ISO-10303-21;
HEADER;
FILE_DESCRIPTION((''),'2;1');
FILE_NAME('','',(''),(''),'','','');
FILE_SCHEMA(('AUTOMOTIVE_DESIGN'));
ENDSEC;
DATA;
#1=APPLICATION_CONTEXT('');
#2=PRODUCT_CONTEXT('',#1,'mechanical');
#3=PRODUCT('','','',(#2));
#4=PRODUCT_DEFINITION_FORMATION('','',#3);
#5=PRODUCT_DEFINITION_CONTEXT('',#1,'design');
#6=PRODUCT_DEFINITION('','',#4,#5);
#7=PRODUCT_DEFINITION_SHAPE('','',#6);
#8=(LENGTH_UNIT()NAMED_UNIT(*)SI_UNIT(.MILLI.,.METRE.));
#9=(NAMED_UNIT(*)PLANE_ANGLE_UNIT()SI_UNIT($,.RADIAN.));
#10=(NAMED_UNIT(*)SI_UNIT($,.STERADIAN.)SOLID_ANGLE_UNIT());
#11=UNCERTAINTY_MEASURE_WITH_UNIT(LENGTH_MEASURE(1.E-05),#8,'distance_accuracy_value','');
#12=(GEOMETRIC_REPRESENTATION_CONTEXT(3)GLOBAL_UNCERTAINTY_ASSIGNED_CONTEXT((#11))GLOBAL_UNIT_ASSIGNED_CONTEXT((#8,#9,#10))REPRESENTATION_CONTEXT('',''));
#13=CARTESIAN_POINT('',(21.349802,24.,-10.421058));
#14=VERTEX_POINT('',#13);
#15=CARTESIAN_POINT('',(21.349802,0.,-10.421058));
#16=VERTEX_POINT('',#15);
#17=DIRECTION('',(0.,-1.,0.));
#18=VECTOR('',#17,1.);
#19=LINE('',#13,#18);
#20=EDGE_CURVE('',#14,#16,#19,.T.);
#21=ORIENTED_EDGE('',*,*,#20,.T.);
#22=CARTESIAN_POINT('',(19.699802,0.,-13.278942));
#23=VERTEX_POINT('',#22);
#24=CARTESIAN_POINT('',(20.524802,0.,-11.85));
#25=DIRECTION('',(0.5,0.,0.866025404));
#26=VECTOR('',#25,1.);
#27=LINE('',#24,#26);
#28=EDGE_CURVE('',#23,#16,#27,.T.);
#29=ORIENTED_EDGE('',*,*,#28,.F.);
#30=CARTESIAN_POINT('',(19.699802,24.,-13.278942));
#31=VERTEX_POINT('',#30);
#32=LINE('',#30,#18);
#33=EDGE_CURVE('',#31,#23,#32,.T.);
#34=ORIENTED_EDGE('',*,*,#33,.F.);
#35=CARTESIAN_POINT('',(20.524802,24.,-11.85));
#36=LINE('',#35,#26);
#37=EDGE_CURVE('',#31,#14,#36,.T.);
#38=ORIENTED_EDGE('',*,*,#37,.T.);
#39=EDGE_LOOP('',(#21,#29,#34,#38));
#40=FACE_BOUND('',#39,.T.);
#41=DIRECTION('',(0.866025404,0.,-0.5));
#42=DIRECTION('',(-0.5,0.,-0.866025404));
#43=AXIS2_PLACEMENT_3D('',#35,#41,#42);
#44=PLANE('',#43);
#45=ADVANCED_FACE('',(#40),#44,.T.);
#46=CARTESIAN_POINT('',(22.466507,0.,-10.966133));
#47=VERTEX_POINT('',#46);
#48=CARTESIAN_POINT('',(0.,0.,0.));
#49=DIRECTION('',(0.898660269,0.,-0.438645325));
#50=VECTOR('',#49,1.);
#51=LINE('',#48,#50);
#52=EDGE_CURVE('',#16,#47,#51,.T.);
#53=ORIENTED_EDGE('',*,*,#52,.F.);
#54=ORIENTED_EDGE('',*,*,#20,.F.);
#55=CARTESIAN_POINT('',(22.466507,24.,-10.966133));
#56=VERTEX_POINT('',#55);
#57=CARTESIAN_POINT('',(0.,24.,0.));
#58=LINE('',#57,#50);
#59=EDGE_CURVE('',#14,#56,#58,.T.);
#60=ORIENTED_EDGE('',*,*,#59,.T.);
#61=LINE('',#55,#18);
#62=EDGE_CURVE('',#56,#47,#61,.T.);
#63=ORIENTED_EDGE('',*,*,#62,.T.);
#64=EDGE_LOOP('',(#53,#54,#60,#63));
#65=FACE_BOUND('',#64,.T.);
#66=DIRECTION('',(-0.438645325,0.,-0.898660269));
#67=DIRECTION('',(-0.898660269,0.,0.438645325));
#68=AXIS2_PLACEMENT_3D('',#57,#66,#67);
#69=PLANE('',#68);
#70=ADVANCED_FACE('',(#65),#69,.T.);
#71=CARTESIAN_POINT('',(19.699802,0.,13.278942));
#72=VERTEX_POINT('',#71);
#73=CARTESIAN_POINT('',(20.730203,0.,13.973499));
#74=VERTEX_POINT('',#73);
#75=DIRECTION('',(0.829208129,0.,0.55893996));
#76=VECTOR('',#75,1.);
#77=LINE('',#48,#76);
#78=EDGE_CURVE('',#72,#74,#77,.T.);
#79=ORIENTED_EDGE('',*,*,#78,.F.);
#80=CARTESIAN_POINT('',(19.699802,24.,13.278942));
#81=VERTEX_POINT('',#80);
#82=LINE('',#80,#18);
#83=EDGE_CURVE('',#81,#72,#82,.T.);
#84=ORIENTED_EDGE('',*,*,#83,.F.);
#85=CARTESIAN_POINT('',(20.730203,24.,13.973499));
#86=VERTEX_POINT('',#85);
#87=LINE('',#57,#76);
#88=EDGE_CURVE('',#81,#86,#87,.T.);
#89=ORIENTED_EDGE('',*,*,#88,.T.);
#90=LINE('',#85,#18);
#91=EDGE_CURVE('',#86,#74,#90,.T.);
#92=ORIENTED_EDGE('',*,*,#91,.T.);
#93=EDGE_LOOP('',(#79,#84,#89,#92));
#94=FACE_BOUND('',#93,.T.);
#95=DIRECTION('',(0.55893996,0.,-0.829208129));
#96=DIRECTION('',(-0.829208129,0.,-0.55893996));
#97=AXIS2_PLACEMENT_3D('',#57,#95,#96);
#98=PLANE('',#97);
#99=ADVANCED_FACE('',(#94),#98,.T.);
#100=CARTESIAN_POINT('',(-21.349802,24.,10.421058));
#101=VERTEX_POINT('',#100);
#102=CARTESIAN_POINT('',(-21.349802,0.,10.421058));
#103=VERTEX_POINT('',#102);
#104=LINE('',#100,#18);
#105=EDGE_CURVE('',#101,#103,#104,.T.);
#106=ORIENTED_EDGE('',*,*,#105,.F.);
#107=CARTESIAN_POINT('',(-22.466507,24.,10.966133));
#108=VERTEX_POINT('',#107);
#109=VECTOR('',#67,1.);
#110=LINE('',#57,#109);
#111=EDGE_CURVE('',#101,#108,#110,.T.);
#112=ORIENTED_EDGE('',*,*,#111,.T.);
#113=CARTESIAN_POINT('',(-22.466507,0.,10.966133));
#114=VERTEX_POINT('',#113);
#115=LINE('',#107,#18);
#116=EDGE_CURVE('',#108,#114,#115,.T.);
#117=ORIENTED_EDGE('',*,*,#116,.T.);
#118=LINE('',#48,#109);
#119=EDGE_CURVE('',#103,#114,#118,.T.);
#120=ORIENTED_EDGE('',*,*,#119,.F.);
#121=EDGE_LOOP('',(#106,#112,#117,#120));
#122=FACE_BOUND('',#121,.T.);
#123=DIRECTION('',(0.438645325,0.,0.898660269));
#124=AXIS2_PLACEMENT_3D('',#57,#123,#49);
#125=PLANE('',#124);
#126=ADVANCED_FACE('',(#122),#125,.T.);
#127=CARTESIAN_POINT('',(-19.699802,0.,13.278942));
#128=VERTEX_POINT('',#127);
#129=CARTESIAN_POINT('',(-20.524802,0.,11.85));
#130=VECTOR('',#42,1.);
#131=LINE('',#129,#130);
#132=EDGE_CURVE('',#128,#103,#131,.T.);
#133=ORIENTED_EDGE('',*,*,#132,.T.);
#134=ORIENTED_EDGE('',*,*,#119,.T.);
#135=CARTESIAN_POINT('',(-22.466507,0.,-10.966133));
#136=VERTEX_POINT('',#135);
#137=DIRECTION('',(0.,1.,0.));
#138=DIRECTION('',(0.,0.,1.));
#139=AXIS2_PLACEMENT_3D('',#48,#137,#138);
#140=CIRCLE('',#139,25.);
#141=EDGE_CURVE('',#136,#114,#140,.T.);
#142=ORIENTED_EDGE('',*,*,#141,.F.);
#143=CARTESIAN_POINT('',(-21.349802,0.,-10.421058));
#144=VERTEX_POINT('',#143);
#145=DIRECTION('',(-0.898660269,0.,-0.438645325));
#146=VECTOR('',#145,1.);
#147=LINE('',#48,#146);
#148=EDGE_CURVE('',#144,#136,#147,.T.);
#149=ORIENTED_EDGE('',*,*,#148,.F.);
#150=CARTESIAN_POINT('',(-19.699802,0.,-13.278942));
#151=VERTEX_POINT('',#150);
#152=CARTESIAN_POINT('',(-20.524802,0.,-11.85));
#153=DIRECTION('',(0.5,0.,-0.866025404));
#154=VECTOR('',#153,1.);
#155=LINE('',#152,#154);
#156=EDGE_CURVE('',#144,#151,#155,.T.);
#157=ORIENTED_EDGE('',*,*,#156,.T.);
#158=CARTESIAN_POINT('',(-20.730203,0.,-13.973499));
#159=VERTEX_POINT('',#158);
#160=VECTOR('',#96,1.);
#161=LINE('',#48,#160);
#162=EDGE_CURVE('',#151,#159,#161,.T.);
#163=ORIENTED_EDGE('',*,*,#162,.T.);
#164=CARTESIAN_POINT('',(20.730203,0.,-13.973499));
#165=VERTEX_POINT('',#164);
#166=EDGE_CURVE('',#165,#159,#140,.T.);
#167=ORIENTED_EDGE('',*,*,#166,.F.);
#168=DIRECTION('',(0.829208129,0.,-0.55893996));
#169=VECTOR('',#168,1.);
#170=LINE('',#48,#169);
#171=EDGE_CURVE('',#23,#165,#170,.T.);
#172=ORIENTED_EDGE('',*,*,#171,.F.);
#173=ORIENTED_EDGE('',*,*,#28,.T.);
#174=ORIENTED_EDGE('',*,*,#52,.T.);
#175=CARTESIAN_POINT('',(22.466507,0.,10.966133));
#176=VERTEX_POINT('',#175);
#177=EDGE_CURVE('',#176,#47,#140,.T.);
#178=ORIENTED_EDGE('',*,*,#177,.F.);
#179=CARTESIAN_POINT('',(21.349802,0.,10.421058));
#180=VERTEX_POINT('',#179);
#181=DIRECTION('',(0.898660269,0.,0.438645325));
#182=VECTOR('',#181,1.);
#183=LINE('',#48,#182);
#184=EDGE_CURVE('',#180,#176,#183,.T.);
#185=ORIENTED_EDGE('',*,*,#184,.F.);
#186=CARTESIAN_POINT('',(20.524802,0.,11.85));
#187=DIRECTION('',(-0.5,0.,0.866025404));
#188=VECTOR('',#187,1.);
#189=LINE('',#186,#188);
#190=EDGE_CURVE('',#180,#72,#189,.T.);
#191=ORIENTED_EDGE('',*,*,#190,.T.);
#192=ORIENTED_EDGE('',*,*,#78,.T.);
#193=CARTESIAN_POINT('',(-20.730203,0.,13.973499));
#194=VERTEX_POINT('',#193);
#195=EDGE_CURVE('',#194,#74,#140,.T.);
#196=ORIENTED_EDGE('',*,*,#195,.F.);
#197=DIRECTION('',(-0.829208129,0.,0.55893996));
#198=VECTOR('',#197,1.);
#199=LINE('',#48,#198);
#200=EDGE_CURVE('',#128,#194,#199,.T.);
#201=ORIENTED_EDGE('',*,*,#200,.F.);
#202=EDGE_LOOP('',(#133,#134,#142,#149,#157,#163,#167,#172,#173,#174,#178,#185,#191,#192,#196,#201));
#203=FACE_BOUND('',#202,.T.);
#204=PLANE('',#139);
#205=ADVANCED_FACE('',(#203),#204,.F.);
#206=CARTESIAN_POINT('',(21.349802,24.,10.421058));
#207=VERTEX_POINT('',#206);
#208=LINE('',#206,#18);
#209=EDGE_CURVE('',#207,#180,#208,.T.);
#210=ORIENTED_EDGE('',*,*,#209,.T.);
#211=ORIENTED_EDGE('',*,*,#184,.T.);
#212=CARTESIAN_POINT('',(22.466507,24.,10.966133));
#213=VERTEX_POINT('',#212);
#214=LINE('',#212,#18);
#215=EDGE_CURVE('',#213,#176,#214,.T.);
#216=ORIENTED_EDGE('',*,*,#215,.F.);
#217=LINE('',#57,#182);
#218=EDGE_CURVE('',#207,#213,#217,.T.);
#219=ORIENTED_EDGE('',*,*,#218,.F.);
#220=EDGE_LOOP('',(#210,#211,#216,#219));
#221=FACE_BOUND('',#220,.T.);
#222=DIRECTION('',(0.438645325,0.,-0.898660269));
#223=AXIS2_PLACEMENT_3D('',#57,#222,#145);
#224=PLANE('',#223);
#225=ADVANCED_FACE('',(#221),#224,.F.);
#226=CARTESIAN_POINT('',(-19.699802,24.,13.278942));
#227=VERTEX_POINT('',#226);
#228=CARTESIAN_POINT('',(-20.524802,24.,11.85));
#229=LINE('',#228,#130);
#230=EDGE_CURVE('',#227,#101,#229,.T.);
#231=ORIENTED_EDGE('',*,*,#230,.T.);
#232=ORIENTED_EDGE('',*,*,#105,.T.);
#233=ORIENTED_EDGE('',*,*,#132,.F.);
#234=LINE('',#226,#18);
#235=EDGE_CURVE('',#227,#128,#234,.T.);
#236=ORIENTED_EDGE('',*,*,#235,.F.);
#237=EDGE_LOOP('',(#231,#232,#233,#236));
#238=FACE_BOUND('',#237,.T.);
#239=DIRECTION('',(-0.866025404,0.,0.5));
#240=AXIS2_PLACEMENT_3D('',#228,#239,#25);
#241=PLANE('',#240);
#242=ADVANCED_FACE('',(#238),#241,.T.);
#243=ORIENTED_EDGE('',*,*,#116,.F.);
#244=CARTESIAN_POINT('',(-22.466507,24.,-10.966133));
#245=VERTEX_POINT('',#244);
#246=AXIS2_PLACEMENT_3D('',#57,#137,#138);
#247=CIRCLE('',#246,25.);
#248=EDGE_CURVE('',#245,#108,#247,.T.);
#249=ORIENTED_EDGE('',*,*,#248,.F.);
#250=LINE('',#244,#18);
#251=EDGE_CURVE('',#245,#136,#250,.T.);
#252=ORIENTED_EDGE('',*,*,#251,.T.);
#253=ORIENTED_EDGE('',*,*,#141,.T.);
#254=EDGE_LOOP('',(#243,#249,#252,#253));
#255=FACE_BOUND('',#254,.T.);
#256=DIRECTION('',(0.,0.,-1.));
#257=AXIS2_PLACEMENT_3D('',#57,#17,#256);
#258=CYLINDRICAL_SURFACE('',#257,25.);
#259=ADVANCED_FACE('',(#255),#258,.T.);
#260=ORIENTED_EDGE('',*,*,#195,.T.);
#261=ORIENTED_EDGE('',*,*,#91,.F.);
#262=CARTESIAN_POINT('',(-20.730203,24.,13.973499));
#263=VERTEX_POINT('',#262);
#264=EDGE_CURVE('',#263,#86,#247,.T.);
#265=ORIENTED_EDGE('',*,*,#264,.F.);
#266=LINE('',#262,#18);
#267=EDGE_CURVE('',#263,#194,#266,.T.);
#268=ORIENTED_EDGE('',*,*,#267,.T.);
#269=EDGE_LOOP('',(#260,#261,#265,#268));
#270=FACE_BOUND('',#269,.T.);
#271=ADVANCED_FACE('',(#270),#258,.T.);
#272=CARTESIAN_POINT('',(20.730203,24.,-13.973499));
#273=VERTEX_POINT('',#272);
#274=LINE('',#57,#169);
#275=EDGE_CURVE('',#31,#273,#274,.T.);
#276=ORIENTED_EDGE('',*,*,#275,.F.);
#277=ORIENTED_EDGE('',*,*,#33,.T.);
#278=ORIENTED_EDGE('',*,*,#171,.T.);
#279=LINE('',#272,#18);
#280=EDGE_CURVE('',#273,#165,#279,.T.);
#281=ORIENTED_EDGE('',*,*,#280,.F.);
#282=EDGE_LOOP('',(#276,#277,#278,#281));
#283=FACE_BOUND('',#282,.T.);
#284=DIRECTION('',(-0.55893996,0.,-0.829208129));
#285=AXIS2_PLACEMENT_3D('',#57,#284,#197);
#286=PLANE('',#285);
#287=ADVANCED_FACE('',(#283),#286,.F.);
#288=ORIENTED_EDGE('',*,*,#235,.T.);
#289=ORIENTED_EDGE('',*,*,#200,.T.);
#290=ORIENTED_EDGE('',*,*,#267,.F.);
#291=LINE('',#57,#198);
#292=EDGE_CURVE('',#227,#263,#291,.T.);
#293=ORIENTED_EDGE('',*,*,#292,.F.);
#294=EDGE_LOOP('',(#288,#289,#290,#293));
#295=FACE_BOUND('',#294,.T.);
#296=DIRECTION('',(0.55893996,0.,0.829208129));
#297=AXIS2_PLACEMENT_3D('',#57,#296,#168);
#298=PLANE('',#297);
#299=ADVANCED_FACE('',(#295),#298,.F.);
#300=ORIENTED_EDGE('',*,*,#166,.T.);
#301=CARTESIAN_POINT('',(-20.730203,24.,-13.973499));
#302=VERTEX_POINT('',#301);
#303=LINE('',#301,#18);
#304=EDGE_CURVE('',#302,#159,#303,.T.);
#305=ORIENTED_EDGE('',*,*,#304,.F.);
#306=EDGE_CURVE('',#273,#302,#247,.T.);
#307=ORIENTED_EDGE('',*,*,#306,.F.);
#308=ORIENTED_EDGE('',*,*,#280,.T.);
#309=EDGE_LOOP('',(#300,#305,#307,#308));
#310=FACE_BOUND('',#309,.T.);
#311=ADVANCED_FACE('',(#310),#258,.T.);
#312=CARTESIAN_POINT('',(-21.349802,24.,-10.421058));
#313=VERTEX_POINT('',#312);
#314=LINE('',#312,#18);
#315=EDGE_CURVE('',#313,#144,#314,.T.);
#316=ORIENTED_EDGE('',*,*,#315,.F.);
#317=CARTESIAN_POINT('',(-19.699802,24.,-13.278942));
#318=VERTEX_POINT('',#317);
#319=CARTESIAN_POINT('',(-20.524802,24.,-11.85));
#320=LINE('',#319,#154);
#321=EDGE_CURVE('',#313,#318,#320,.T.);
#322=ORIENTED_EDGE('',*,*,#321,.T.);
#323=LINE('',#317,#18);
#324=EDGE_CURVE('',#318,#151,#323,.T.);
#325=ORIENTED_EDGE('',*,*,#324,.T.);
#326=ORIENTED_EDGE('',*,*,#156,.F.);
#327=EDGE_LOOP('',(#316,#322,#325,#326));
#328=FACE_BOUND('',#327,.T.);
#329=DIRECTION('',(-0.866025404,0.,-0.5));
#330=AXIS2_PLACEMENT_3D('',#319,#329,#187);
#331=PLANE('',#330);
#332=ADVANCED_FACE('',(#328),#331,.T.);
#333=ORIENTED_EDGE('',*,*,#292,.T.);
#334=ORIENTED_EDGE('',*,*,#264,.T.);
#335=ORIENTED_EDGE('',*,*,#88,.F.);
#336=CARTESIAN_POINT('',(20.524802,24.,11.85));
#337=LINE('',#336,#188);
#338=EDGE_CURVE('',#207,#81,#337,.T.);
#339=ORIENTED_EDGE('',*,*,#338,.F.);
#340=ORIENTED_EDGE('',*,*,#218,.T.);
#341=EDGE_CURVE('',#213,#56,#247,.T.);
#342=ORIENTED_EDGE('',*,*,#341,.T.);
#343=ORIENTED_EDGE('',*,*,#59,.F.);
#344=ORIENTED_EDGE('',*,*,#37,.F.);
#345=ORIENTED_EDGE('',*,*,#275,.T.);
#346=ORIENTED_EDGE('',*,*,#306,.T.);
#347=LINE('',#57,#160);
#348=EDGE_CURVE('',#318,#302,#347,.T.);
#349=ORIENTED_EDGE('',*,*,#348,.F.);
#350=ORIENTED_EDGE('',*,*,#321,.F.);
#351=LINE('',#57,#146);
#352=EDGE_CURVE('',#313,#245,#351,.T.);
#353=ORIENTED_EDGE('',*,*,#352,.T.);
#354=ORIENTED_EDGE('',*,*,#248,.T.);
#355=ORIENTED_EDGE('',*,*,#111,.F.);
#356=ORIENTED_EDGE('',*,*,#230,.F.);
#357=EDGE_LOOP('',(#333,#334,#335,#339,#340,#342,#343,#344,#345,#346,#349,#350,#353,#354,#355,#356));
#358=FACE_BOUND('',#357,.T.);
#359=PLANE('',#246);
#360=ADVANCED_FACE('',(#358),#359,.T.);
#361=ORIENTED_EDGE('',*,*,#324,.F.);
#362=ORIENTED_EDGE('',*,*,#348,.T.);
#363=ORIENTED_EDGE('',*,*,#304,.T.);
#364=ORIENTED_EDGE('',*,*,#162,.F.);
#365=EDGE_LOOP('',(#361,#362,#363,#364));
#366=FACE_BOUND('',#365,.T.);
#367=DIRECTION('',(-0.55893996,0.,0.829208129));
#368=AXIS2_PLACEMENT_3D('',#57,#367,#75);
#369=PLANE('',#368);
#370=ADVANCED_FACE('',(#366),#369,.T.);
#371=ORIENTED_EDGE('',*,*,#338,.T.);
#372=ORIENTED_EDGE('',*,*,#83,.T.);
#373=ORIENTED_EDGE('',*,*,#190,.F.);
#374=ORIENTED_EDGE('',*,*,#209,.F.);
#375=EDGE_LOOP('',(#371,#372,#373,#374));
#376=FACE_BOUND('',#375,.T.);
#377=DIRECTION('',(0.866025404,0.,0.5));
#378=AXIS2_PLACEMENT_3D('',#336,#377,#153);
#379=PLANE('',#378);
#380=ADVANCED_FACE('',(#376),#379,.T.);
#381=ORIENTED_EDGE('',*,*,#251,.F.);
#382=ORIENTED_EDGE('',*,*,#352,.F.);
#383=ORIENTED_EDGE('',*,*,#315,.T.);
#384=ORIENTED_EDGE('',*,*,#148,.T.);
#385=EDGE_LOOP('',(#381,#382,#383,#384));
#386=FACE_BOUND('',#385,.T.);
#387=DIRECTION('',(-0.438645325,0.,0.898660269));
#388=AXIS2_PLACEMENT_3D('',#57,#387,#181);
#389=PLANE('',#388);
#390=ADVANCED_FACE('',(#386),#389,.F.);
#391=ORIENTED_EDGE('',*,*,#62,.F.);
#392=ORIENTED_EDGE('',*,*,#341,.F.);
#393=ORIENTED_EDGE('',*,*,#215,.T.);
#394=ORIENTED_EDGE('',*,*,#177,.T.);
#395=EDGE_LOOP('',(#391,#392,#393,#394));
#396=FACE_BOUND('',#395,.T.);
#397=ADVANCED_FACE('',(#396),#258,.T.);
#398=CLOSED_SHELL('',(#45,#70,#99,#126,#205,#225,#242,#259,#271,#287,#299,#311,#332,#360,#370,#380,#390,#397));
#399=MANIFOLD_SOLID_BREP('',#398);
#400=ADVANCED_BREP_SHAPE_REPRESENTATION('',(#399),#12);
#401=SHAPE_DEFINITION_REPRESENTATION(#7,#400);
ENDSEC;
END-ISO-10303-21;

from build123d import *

# Parameters (mm, degrees)
BOSS_EXTRUDE1_DEPTH = 24


with BuildPart() as part:
    # Sketch1 → Boss-Extrude1 (new body)
    with BuildSketch(Plane(origin=(0, 0, 0), x_dir=(1, 0, 0), z_dir=(0, 1, 0))):
        with BuildLine():
            Line((21.34980207, 10.421058084), (19.69980207, 13.278941916))
            Line((19.69980207, 13.278941916), (20.730203224, 13.973499))
            ThreePointArc((20.730203224, 13.973499), (0, 25), (-20.730203224, 13.973499))
            Line((-20.730203224, 13.973499), (-19.69980207, 13.278941916))
            Line((-19.69980207, 13.278941916), (-21.34980207, 10.421058084))
            Line((-21.34980207, 10.421058084), (-22.466506726, 10.966133117))
            ThreePointArc((-22.466506726, 10.966133117), (-25, 0), (-22.466506726, -10.966133117))
            Line((-22.466506726, -10.966133117), (-21.34980207, -10.421058084))
            Line((-21.34980207, -10.421058084), (-19.69980207, -13.278941916))
            Line((-19.69980207, -13.278941916), (-20.730203224, -13.973499))
            ThreePointArc((-20.730203224, -13.973499), (0, -25), (20.730203224, -13.973499))
            Line((20.730203224, -13.973499), (19.69980207, -13.278941916))
            Line((19.69980207, -13.278941916), (21.34980207, -10.421058084))
            Line((21.34980207, -10.421058084), (22.466506726, -10.966133117))
            ThreePointArc((22.466506726, -10.966133117), (25, 0), (22.466506726, 10.966133117))
            Line((22.466506726, 10.966133117), (21.34980207, 10.421058084))
        make_face()
    extrude(amount=BOSS_EXTRUDE1_DEPTH)


solid = part.part
